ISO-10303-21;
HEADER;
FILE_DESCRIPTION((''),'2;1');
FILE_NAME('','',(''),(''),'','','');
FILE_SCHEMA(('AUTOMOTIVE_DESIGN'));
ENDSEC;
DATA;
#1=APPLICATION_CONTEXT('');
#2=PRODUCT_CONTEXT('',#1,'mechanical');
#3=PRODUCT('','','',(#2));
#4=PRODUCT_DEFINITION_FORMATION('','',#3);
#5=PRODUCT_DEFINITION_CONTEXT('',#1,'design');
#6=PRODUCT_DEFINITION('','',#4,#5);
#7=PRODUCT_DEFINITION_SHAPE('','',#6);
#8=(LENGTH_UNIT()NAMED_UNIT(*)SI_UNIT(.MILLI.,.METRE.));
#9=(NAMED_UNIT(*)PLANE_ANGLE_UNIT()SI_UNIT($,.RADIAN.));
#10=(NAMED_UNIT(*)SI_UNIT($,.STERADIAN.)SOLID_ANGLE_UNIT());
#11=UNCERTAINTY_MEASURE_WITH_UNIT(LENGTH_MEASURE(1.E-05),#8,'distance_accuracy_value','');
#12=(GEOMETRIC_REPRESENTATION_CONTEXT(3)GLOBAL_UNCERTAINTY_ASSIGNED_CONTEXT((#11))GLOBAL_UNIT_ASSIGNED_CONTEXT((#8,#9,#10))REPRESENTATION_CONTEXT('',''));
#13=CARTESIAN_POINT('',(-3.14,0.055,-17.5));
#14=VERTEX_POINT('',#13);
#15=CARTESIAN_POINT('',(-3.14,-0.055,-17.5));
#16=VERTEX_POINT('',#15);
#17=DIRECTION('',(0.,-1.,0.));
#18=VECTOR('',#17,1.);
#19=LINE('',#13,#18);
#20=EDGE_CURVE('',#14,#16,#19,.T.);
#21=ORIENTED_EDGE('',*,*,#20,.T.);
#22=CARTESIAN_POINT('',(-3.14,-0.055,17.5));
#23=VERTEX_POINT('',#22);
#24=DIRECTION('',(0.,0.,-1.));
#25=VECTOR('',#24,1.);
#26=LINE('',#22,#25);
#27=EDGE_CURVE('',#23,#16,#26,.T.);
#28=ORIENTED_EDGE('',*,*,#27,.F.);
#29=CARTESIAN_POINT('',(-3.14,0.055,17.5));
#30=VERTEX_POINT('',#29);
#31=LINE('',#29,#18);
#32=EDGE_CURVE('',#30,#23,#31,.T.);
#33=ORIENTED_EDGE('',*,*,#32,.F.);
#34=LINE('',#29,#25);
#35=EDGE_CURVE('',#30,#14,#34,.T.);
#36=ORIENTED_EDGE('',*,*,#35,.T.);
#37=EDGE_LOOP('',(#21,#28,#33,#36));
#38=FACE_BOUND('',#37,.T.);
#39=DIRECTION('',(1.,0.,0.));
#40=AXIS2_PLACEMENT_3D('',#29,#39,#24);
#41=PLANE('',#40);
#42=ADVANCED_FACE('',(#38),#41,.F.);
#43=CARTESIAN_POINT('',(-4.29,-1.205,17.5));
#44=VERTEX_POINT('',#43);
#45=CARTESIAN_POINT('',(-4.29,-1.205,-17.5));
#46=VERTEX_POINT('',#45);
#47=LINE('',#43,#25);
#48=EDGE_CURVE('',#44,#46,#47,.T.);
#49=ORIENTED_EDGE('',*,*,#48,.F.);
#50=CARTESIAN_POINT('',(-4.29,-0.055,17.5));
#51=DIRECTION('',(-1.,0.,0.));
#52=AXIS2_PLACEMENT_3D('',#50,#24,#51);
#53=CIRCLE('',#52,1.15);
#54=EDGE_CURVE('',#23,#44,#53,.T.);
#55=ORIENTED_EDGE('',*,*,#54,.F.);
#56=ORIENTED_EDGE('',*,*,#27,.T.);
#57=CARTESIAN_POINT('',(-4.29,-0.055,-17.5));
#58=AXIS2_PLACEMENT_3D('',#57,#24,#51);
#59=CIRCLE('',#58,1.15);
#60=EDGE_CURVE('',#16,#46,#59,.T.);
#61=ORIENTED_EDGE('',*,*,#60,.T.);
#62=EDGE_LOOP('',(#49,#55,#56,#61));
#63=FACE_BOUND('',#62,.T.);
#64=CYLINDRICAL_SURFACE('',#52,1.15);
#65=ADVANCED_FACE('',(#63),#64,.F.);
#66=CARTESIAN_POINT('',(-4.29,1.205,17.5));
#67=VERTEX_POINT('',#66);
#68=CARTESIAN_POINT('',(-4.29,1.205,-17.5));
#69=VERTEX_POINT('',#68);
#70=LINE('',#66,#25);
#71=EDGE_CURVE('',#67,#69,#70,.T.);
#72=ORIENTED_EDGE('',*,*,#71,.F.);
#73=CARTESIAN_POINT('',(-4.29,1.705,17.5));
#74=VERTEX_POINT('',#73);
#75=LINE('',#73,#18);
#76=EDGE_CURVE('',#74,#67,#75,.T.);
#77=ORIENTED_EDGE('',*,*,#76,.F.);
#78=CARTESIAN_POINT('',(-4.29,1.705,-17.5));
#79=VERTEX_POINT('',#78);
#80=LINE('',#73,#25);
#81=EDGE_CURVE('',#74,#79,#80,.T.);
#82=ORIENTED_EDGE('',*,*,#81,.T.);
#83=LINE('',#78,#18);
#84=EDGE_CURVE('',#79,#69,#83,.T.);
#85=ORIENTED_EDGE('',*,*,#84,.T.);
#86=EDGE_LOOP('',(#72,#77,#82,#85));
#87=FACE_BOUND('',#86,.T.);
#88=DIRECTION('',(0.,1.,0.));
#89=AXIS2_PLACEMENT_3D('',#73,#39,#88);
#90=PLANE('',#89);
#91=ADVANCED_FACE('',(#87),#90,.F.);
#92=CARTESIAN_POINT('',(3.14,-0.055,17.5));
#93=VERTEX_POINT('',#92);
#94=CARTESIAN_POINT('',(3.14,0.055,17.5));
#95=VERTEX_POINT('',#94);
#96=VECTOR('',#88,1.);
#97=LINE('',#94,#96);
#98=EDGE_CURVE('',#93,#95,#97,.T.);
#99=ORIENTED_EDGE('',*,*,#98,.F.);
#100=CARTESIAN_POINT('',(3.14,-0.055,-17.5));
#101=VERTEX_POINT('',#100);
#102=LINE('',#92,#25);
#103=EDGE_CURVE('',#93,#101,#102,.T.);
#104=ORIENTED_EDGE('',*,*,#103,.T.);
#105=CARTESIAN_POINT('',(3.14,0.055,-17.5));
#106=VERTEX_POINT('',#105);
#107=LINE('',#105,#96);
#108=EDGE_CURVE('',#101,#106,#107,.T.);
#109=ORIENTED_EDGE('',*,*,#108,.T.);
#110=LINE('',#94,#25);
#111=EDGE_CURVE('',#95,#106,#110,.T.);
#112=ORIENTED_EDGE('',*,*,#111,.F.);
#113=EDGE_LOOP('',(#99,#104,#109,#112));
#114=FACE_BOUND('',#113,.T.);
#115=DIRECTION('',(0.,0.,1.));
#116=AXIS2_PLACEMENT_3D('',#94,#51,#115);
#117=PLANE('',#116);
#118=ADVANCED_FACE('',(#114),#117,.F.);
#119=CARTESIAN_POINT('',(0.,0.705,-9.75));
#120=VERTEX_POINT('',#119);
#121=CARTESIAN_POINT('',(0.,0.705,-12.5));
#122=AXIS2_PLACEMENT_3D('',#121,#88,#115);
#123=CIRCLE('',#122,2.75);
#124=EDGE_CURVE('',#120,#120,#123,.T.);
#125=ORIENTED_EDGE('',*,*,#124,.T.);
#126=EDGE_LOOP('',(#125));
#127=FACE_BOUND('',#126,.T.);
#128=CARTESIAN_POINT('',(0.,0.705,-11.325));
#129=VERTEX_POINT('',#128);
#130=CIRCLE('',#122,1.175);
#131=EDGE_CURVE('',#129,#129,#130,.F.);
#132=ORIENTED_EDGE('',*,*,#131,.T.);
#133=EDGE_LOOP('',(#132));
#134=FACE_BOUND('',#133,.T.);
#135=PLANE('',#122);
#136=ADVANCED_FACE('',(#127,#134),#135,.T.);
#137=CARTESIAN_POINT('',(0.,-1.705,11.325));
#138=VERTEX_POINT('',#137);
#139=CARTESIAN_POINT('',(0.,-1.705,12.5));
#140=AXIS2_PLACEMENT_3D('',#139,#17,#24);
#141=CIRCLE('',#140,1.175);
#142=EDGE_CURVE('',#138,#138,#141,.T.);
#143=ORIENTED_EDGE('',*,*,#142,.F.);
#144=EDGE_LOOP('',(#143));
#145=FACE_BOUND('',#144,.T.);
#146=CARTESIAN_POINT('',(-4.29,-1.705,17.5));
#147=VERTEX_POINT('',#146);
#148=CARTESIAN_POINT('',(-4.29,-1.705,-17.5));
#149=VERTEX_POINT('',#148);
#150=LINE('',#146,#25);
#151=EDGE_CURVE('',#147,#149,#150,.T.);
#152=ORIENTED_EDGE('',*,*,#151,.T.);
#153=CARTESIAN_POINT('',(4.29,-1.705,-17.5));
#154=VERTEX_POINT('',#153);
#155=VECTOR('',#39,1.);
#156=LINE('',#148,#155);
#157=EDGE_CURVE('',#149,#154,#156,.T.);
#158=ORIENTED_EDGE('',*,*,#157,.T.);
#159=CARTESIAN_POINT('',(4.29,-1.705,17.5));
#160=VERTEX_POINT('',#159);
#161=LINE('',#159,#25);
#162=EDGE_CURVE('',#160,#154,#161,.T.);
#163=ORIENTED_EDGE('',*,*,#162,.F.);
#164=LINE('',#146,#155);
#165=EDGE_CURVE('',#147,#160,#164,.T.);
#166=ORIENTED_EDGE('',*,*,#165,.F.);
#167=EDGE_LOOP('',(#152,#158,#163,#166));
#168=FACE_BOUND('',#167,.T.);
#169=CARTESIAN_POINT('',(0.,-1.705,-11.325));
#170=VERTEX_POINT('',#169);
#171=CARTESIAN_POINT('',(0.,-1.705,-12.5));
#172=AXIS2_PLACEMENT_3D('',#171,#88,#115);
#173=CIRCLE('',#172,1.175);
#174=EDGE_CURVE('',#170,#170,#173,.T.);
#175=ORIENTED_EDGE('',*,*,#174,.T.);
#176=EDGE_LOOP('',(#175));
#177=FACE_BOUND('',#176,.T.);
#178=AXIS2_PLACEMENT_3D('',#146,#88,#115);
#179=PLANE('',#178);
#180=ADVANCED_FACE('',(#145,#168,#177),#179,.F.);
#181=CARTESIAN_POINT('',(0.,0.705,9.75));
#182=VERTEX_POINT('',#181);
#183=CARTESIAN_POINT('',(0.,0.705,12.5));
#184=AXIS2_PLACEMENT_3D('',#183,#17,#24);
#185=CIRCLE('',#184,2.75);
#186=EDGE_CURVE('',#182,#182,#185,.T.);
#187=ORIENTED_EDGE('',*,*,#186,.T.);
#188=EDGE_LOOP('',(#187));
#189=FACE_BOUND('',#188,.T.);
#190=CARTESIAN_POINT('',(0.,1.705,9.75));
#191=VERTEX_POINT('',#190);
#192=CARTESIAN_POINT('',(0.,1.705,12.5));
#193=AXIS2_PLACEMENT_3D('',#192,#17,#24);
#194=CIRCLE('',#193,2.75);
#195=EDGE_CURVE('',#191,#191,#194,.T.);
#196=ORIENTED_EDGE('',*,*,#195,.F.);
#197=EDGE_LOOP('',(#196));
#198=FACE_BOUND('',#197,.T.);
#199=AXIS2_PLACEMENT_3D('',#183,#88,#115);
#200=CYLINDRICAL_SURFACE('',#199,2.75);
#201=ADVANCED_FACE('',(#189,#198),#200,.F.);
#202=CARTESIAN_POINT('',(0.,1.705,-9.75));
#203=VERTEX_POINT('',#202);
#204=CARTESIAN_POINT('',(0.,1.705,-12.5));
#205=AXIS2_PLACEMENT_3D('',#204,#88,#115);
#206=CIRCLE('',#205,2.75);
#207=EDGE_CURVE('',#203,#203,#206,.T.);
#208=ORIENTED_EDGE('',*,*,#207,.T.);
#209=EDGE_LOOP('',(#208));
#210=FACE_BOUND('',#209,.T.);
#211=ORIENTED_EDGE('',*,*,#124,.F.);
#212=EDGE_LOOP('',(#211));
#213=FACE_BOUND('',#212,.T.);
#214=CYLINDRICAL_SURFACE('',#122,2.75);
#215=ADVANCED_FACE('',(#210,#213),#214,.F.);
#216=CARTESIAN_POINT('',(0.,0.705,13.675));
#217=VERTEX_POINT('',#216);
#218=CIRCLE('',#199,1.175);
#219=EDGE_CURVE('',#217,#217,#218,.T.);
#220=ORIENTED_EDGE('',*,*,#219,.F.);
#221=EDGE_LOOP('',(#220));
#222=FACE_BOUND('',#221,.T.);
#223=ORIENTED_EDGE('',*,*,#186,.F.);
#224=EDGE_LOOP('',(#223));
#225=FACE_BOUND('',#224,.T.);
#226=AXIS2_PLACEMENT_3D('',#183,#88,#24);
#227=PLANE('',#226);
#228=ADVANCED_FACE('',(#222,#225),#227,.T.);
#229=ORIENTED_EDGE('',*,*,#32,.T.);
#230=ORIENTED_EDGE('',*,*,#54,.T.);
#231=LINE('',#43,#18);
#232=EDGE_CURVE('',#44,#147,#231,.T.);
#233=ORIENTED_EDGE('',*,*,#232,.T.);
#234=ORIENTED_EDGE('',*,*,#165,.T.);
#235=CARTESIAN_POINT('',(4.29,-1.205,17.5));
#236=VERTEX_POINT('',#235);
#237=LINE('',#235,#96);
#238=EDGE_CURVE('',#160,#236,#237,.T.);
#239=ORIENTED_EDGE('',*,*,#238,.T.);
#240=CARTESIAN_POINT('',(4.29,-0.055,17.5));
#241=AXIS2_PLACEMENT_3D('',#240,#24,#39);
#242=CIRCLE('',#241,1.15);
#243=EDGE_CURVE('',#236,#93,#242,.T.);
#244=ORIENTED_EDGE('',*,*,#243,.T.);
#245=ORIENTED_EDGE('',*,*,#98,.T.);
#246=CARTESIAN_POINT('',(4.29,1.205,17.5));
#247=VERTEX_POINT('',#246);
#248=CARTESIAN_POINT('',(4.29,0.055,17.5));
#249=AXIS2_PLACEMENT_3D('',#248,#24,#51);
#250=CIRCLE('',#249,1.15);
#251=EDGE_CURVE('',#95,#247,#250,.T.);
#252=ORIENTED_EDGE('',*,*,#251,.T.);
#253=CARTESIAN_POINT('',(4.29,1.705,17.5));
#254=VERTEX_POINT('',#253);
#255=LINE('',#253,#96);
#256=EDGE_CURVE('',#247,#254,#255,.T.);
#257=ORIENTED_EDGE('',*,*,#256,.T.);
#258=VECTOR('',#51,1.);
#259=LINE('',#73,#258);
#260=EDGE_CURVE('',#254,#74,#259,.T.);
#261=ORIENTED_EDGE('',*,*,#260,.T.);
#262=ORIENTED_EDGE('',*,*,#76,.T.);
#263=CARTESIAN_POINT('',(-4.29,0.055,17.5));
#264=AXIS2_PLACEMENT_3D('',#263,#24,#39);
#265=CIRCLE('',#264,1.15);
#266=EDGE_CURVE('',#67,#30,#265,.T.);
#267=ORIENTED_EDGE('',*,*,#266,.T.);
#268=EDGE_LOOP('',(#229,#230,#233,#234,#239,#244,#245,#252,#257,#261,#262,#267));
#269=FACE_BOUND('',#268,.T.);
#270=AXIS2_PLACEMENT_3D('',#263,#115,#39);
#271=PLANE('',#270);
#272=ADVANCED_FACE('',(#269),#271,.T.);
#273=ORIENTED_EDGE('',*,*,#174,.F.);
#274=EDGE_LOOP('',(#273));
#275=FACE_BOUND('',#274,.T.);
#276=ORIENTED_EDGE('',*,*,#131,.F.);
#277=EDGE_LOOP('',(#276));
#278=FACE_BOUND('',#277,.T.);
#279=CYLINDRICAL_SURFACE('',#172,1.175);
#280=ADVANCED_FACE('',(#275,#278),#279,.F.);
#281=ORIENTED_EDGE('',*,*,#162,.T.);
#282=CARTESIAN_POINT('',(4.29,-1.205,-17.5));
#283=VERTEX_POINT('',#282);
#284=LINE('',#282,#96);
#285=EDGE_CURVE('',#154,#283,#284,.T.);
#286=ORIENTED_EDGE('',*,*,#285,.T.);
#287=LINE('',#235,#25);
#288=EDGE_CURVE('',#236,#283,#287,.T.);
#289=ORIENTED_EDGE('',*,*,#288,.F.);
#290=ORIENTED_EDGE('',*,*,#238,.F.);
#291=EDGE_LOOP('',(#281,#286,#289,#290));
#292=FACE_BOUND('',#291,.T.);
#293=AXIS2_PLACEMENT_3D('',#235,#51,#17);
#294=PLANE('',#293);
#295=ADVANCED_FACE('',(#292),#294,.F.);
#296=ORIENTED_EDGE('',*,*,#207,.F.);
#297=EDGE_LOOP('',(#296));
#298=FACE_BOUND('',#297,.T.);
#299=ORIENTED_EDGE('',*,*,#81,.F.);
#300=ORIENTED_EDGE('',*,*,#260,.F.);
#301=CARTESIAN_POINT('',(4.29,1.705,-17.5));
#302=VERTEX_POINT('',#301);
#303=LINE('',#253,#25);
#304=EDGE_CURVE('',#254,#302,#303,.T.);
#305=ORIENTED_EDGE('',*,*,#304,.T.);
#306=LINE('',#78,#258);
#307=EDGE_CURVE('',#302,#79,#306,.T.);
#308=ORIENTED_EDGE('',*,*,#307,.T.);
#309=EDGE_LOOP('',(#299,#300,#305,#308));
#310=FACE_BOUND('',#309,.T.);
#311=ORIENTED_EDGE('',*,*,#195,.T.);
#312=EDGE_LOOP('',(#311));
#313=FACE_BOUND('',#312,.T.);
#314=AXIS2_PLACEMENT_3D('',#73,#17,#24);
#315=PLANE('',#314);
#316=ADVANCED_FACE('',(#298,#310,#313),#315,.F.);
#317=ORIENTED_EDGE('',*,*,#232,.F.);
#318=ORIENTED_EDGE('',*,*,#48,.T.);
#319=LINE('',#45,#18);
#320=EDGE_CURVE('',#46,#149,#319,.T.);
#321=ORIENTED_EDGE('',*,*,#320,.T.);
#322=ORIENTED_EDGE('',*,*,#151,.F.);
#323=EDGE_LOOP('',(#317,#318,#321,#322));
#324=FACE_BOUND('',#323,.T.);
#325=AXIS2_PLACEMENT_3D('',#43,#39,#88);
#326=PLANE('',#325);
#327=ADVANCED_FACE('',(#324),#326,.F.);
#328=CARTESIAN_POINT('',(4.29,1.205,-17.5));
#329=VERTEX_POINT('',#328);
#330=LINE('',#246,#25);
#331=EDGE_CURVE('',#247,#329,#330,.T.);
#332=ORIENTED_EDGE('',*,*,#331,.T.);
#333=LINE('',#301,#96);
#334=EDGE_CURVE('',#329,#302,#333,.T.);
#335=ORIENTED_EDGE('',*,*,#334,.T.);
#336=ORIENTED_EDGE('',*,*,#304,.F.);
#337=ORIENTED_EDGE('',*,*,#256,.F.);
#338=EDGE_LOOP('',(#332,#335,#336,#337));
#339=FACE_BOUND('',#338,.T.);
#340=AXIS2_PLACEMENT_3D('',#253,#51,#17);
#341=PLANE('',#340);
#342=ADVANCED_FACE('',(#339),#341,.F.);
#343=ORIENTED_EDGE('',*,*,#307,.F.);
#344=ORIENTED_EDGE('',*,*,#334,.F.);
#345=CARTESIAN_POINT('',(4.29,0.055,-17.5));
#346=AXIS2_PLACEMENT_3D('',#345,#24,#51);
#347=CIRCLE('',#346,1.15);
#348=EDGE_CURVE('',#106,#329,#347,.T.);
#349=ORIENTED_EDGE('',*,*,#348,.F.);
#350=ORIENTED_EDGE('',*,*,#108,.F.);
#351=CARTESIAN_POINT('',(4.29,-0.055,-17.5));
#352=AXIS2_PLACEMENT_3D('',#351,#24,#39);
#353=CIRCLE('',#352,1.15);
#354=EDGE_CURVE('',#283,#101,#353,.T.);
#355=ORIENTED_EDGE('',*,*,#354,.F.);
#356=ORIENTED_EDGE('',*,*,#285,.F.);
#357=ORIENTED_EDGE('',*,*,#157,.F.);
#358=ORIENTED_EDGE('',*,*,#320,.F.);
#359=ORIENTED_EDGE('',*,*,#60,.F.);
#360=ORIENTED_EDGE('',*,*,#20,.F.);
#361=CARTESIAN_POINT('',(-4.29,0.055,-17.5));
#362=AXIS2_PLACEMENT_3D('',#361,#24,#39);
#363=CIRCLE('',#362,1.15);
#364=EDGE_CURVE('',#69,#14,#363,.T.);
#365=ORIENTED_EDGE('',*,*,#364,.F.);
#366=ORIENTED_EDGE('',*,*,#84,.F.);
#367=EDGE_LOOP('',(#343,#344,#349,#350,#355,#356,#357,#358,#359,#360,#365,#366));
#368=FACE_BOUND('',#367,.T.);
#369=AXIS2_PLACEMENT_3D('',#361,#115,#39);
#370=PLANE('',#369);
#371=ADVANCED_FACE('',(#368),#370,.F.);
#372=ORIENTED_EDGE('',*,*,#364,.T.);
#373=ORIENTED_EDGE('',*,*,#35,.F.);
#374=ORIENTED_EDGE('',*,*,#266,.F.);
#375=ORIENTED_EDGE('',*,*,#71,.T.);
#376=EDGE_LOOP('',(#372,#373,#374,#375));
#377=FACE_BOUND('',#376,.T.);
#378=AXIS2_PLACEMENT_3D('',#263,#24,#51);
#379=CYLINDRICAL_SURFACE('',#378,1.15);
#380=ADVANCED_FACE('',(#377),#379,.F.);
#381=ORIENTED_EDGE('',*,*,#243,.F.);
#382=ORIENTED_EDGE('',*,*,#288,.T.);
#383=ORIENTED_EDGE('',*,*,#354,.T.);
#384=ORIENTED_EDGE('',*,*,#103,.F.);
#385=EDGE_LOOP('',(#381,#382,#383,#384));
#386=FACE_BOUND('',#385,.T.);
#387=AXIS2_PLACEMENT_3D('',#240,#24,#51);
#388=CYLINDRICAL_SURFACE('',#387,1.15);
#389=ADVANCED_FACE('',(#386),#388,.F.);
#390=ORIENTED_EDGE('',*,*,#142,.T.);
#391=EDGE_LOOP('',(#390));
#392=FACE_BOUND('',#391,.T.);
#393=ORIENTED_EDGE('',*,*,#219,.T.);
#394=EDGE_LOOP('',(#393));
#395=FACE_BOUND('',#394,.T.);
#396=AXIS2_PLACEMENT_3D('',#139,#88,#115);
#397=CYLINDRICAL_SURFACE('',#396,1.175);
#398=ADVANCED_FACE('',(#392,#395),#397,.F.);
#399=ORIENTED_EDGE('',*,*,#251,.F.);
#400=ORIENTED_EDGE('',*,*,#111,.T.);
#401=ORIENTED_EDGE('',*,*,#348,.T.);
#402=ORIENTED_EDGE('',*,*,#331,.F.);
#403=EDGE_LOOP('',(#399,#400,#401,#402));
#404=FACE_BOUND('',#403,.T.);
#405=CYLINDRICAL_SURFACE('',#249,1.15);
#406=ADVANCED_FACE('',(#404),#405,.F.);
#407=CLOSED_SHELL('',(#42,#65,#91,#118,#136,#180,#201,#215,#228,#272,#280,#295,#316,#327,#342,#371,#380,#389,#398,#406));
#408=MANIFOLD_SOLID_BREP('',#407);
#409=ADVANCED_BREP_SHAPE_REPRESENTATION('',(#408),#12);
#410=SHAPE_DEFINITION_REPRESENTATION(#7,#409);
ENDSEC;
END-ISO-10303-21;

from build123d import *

# Parameters (mm, degrees)
BOSS_EXTRUDE1_DEPTH = 17.5
SKETCH2_R           = 1.175
CUT_EXTRUDE1_DEPTH  = 4.41
SKETCH3_R           = 2.75
CUT_EXTRUDE2_DEPTH  = 1


with BuildPart() as part:
    # Sketch1 → Boss-Extrude1 (new body, symmetric)
    with BuildSketch(Plane.XY):
        with BuildLine():
            Line((-3.14, 0.055), (-3.14, -0.055))
            ThreePointArc((-3.14, -0.055), (-3.476827202, -0.868172798), (-4.29, -1.205))
            Line((-4.29, -1.205), (-4.29, -1.705))
            Line((-4.29, -1.705), (4.29, -1.705))
            Line((4.29, -1.705), (4.29, -1.205))
            ThreePointArc((4.29, -1.205), (3.476827202, -0.868172798), (3.14, -0.055))
            Line((3.14, -0.055), (3.14, 0.055))
            ThreePointArc((3.14, 0.055), (3.476827202, 0.868172798), (4.29, 1.205))
            Line((4.29, 1.205), (4.29, 1.705))
            Line((4.29, 1.705), (-4.29, 1.705))
            Line((-4.29, 1.705), (-4.29, 1.205))
            ThreePointArc((-4.29, 1.205), (-3.476827202, 0.868172798), (-3.14, 0.055))
        make_face()
    extrude(amount=BOSS_EXTRUDE1_DEPTH, both=True)

    # Sketch2 → Cut-Extrude1 (cut, through all)
    with BuildSketch(Plane(origin=(0, 1.705, 0), x_dir=(1, 0, 0), z_dir=(0, 1, 0))):
        with Locations((0, 12.5)):
            Circle(SKETCH2_R)
    cut_extrude1 = extrude(amount=-CUT_EXTRUDE1_DEPTH, mode=Mode.SUBTRACT)

    # Sketch3 → Cut-Extrude2 (cut)
    with BuildSketch(Plane(origin=(0, 1.705, 0), x_dir=(1, 0, 0), z_dir=(0, 1, 0))):
        with Locations((0, 12.5)):
            Circle(SKETCH3_R)
    cut_extrude2 = extrude(amount=-CUT_EXTRUDE2_DEPTH, mode=Mode.SUBTRACT)

    # Mirror1: Cut-Extrude1, Cut-Extrude2 across plane
    add(cut_extrude1.mirror(Plane.XY), mode=Mode.SUBTRACT)
    add(cut_extrude2.mirror(Plane.XY), mode=Mode.SUBTRACT)


solid = part.part
